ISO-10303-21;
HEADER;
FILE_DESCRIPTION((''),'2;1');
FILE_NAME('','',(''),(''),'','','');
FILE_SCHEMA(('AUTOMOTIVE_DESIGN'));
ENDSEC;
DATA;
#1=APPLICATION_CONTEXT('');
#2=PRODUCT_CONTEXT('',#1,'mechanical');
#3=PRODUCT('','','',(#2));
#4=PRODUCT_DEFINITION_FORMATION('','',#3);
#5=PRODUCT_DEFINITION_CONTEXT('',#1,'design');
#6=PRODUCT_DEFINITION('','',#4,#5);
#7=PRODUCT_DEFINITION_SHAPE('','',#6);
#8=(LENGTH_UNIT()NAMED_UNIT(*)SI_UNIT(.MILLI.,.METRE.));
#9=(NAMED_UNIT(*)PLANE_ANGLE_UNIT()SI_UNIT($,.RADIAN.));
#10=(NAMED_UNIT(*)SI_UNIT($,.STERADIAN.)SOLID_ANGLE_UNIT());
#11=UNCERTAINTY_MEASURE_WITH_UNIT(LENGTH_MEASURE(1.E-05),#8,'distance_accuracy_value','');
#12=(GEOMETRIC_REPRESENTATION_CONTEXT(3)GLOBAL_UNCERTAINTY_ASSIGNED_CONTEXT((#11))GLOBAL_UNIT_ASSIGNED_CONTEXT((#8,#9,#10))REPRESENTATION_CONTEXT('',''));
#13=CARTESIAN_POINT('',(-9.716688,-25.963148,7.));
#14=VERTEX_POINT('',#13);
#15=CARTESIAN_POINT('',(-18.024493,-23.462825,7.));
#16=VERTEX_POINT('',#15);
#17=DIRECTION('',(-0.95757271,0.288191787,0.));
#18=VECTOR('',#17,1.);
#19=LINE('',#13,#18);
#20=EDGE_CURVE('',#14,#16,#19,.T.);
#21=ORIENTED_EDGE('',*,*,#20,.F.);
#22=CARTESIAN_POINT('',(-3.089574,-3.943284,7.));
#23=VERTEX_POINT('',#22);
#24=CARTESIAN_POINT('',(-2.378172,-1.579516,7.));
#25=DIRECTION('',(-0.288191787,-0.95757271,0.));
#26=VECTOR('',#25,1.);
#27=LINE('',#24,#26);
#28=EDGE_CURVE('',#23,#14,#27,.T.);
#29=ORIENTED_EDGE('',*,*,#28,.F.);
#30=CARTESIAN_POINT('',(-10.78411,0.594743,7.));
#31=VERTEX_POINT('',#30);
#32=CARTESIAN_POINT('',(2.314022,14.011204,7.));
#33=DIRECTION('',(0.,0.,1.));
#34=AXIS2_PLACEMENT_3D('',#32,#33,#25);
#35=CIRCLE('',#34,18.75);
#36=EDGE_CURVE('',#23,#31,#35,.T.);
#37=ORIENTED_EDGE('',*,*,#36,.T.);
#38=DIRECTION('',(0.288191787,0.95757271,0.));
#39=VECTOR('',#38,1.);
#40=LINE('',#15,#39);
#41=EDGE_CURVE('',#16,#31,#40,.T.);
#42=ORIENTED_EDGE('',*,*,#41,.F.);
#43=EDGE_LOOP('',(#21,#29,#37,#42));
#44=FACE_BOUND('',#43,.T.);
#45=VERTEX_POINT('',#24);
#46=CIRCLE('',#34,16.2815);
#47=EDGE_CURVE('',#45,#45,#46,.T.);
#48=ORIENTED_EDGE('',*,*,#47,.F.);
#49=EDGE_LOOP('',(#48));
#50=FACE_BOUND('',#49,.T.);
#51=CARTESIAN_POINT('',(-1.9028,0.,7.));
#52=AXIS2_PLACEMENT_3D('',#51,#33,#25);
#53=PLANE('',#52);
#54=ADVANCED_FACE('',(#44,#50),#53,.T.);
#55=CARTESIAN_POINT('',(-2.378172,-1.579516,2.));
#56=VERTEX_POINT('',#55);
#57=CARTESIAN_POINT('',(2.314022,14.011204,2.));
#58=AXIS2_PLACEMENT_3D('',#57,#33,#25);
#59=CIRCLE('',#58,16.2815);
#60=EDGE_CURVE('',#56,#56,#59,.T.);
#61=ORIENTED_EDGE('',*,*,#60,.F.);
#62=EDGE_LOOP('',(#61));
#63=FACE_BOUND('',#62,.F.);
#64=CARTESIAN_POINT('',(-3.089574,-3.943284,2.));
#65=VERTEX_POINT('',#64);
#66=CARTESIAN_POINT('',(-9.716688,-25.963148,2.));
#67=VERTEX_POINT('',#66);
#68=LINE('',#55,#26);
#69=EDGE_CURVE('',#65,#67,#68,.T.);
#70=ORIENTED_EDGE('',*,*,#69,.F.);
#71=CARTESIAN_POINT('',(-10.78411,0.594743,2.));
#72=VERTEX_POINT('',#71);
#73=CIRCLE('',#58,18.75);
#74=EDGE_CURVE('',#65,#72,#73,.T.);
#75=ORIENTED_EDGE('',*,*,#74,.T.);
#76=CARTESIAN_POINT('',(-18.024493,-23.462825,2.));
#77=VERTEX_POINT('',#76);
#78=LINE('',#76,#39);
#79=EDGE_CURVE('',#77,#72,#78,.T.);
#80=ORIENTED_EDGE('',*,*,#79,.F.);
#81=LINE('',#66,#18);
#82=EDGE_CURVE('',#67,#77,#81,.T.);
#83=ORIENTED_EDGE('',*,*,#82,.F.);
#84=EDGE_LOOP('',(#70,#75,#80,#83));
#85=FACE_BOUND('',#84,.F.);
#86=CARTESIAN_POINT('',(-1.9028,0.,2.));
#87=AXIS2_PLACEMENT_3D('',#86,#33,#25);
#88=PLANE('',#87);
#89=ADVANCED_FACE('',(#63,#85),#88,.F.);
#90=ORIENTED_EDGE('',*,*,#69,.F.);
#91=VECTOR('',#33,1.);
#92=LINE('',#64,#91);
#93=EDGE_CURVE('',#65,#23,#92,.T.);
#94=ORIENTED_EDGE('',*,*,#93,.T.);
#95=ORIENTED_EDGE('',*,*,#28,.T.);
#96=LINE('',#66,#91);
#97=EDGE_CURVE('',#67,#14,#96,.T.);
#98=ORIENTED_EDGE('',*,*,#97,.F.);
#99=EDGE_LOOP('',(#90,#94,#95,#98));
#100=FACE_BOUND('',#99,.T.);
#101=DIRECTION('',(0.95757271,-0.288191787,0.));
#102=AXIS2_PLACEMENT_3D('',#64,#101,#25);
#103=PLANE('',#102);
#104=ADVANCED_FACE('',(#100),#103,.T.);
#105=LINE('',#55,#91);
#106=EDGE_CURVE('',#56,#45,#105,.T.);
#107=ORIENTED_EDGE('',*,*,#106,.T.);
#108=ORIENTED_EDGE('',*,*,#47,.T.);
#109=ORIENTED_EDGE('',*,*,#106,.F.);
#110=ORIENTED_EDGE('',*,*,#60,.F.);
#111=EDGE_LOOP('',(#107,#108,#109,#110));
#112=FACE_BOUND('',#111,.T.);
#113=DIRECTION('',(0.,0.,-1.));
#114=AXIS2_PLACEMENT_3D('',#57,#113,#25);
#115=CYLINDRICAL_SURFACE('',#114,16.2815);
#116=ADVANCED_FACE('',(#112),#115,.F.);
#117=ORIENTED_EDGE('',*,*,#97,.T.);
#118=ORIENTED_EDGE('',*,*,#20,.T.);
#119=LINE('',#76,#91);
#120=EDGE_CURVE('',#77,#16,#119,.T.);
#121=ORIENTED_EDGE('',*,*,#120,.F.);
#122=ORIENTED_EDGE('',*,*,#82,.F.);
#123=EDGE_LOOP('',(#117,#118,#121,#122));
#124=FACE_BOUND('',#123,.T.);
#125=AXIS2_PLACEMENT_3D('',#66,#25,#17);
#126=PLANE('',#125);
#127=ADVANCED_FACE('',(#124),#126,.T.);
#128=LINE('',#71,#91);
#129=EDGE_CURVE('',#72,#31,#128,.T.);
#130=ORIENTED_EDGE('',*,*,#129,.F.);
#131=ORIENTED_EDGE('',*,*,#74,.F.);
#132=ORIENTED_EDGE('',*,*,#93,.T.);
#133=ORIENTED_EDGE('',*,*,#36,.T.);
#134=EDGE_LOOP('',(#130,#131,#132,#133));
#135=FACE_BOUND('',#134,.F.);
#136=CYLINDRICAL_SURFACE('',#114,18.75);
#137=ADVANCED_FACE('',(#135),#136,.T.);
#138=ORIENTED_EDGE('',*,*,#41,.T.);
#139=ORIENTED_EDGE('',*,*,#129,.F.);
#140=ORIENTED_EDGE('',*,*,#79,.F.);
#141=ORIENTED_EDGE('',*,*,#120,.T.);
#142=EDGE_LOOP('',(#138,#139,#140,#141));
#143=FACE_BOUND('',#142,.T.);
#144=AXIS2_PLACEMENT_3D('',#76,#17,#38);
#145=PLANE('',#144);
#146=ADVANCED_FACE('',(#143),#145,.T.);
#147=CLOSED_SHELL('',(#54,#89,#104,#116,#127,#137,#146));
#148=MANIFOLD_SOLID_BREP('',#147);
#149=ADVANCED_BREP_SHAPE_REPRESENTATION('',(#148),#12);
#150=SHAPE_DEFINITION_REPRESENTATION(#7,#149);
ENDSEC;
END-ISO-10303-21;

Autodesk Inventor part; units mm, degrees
ref_plane "YZ Plane" through (0, 0, 0) normal (1, 0, 0) x (0, 1, 0)
ref_plane "XZ Plane" through (0, 0, 0) normal (0, 1, 0) x (-1, 0, 0)
ref_plane "XY Plane" through (0, 0, 0) normal (0, 0, 1) x (1, 0, 0)
ref_plane "Arbeitsebene1" through (-1.9028, 0, 2) normal (0, 0, 1) x (-0.2882, -0.9576, 0)
sketch "Skizze1" plane through (-1.9028, 0, 2) normal (0, 0, 1) x (-0.2882, -0.9576, 0)
  circle A0 centre (-14.632, 0) radius 18.75
  circle A1 centre (-14.632, 0) radius 15
  circle A2 centre (-14.632, 0) radius 16.2815
  line L0 (26.7708, -9) -> (26.7708, -29)
  line L1 (19.0208, -9) -> (26.7708, -9)
  line L2 (26.7708, -29) -> (19.0208, -29)
  line L3 (27.1135, -8.6759) -> (1.6495, -8.6759)
  line L4 (1.6495, -8.6759) -> (1.6495, 0)
  line L5 (1.6495, 0) -> (27.1135, 0)
  line L6 (27.1135, 0) -> (27.1135, -8.6759)
  point P0 (-12.7292, 0)
extrude "Extrusion1" add sketch "Skizze1" along normal blind 5 contours L5 L4 L3 A0 | L5 L6 L3 A0 | A0 L3 L4 L5
properties part number "15_Gabel"
